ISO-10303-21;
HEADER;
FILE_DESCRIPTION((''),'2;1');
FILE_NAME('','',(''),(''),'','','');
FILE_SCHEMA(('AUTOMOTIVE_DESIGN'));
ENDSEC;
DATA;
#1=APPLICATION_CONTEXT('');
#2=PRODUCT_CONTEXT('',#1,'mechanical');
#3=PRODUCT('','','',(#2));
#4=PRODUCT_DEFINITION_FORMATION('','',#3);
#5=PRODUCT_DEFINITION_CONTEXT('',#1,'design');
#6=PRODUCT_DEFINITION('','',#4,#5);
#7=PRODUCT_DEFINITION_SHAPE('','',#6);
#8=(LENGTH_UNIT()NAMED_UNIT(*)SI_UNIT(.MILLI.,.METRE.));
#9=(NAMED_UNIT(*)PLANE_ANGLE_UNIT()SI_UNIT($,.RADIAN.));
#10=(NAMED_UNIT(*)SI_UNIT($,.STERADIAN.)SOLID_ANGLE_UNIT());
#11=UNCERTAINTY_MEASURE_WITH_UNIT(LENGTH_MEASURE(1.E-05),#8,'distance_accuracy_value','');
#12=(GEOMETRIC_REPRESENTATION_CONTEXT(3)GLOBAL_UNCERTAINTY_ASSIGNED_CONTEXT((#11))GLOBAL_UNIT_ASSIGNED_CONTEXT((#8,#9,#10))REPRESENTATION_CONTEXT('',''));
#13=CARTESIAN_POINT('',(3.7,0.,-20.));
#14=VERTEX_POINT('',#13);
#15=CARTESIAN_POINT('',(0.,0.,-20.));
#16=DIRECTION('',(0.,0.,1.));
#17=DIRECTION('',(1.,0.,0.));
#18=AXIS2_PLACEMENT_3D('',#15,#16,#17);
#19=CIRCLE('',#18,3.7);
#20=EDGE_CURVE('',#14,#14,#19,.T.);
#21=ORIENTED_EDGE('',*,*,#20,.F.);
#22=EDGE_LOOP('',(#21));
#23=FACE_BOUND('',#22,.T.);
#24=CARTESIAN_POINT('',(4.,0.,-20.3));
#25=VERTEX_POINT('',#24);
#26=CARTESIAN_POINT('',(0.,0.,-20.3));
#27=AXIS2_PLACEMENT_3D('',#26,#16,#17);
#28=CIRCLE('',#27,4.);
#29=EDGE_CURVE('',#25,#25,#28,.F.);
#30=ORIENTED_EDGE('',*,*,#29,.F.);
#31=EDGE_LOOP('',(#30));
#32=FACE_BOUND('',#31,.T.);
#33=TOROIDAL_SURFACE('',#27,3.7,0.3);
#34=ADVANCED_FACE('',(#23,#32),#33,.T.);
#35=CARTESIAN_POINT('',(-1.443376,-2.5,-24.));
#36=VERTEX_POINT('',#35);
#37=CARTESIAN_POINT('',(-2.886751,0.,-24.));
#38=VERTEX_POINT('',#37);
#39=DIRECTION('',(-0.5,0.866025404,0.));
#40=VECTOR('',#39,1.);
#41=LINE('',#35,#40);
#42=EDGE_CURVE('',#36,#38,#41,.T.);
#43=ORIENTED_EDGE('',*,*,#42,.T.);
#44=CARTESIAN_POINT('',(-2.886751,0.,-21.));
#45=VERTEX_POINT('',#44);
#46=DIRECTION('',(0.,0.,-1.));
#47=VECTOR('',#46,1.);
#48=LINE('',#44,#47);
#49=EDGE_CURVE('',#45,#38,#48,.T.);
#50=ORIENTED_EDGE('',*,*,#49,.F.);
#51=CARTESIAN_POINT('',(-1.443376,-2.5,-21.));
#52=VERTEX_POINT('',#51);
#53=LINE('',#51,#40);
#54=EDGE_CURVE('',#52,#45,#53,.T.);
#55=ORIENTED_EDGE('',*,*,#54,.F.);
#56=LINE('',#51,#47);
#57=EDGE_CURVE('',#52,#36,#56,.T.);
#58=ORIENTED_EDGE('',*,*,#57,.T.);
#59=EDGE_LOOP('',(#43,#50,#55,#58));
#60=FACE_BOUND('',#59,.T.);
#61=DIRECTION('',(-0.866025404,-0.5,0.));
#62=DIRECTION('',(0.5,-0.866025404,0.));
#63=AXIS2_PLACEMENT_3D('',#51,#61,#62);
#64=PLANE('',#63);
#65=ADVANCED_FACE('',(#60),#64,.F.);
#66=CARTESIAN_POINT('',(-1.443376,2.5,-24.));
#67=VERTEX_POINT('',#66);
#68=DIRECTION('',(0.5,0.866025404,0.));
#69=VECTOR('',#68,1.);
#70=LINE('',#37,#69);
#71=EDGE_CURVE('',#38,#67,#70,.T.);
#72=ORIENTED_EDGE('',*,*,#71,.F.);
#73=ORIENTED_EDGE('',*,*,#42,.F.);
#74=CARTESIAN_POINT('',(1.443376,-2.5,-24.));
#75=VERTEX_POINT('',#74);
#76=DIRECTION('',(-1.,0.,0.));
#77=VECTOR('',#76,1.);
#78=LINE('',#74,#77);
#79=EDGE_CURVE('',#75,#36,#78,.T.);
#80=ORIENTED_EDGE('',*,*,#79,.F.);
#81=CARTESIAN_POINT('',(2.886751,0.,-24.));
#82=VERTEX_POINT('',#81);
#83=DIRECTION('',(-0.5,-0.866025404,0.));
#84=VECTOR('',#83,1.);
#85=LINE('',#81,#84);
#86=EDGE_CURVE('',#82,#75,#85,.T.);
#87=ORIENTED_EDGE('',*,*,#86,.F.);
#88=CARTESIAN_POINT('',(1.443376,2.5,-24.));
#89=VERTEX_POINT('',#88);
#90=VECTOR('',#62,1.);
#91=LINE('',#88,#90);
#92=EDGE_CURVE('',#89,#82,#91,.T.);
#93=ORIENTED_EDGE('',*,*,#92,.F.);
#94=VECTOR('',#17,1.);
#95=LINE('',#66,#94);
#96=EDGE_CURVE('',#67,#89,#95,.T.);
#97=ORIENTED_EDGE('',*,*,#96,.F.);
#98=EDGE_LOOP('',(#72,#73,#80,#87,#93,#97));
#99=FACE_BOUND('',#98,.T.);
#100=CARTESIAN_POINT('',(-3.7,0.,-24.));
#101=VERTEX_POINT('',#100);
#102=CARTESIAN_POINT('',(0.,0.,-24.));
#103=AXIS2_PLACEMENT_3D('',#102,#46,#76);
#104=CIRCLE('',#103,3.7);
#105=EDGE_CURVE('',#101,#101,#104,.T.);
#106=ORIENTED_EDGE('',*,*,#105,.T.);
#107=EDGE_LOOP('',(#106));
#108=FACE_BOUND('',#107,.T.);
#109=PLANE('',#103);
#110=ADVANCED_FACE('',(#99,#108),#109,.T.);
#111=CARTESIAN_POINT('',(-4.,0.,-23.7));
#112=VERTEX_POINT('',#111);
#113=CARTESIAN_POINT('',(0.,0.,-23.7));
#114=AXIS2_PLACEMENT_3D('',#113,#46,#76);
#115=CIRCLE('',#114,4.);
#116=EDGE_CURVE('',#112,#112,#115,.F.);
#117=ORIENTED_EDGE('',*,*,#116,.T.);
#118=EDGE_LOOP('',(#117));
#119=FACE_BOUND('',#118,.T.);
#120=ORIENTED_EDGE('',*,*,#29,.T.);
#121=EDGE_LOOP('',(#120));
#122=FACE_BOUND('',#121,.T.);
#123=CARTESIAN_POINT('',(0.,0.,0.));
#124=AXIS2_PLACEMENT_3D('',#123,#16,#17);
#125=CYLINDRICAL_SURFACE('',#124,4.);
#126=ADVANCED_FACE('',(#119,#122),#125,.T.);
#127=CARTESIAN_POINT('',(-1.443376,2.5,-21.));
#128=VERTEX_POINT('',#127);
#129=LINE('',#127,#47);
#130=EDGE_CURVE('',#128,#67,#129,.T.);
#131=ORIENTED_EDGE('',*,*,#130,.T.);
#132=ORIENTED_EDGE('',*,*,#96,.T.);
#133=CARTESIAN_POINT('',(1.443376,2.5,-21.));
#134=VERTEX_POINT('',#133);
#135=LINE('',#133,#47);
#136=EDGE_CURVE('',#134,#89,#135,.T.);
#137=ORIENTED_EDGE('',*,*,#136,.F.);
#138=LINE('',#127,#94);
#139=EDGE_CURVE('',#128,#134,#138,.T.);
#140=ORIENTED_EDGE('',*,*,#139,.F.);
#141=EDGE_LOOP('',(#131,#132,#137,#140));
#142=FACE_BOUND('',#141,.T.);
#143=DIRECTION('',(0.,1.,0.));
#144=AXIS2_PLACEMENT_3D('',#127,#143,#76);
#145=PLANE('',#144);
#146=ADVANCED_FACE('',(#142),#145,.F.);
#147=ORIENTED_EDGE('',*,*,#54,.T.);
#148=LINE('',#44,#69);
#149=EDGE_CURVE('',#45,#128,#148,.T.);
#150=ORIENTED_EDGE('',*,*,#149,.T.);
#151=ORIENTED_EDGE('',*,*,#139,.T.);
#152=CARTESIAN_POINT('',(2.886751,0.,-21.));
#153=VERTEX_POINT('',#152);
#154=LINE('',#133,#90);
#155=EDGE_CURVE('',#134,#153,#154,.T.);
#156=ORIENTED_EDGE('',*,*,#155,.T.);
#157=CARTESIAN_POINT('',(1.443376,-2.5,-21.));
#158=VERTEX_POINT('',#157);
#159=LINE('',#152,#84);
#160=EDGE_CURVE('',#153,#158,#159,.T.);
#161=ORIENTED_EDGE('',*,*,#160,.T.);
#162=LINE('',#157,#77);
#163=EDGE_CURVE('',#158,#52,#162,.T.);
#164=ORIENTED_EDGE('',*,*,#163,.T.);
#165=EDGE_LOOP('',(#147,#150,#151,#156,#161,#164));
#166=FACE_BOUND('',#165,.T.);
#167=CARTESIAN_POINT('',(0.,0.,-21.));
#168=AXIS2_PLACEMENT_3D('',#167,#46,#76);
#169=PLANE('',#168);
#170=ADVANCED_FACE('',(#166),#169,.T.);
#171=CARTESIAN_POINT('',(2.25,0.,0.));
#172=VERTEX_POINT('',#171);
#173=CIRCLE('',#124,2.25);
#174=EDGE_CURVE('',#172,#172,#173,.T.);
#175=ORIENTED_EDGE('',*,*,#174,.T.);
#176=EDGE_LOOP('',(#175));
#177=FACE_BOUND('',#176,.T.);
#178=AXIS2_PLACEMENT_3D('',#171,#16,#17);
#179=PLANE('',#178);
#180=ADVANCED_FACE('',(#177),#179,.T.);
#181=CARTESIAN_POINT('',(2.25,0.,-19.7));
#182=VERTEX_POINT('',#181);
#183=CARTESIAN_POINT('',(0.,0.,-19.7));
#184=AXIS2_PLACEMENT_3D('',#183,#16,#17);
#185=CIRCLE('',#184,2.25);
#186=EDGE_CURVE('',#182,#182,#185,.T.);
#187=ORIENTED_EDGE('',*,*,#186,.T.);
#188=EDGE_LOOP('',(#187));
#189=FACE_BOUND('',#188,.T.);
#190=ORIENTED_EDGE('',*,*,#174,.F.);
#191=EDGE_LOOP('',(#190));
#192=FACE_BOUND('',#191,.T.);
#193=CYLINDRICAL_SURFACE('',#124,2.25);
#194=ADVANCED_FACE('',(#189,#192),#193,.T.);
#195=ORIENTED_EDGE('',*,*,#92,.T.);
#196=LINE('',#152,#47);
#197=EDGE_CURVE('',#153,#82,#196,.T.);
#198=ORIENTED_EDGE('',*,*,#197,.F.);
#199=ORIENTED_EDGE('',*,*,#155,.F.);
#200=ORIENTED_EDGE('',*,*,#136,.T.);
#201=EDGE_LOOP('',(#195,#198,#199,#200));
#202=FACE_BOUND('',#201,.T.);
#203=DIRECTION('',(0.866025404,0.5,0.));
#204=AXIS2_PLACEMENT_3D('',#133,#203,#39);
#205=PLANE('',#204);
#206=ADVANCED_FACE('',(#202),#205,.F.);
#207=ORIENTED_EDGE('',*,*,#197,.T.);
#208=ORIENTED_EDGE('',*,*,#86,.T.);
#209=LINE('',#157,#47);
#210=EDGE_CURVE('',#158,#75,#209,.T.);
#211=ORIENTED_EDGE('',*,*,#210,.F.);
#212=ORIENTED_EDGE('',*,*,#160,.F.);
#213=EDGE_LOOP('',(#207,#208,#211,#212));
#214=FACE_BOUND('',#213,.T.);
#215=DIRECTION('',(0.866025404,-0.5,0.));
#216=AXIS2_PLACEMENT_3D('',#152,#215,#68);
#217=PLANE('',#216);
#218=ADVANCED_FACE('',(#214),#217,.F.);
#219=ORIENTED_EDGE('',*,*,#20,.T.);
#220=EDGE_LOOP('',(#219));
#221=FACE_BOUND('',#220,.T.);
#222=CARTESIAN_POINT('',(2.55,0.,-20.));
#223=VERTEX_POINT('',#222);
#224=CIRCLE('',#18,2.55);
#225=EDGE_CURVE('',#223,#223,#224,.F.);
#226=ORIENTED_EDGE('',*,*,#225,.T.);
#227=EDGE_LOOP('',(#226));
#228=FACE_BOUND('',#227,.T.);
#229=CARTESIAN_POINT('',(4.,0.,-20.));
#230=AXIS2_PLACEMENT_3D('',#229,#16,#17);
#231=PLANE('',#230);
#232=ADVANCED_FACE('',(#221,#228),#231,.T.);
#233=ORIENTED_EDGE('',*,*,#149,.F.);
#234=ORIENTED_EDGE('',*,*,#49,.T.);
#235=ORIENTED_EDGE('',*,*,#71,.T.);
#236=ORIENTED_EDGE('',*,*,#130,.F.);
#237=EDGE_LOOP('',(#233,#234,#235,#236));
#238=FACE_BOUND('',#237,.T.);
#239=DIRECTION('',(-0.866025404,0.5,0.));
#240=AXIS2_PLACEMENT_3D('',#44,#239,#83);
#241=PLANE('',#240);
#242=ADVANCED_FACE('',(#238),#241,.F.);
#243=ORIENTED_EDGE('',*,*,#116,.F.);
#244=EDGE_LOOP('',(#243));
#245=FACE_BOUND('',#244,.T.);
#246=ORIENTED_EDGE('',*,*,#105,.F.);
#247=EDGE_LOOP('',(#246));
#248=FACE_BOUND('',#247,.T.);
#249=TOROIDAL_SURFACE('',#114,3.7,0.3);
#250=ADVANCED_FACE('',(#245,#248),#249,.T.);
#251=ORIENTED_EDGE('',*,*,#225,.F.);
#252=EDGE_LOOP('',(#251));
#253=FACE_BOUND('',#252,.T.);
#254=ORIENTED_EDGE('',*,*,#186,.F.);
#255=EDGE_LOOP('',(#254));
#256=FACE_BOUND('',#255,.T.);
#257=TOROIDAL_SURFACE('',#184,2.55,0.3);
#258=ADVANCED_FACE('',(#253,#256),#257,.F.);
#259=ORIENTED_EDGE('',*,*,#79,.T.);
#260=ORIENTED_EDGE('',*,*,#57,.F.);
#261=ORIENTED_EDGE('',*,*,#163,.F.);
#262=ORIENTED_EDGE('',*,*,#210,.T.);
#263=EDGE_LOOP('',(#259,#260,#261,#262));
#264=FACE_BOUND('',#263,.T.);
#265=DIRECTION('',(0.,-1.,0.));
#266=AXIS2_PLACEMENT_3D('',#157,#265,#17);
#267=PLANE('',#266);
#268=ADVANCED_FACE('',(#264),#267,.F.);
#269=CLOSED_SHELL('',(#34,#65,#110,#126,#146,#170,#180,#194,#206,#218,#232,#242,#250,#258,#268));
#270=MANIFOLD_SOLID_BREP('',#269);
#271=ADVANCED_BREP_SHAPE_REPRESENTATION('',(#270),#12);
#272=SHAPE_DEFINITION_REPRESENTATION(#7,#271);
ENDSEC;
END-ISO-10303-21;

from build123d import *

# Parameters (mm, degrees)
SCHNITT_LINEAR_AUSTRAGEN1_DEPTH = 3
VERRUNDUNG1_R                   = 0.3
KREISMUSTER1_COUNT              = 2
KREISMUSTER1_ANGLE              = 90


with BuildPart() as part:
    # Skizze1 → Rotation1 (revolve)
    with BuildSketch(Plane(origin=(0, 0, 0), x_dir=(0, 0, -1), z_dir=(0, 1, 0))):
        Polygon((0, 0), (0, 24), (4, 24), (4, 20), (2.25, 20), (2.25, 0), align=None)
    revolve(axis=Axis((0, 0, 0), (-1, 0, 0)))

    # Skizze2 → Schnitt-Linear austragen1 (cut)
    with BuildSketch(Plane(origin=(-24, 0, 0), x_dir=(0, 1, 0), z_dir=(-1, 0, 0))):
        Polygon((0, 2.886751346), (-2.5, 1.443375673), (-2.5, -1.443375673), (0, -2.886751346), (2.5, -1.443375673), (2.5, 1.443375673), align=None)
    extrude(amount=-SCHNITT_LINEAR_AUSTRAGEN1_DEPTH, mode=Mode.SUBTRACT)

    # Verrundung1
    verrundung1_edges = [part.edges().sort_by_distance(p)[0] for p in [
        (-20, 0, 2.25),
        (-20, 0, 4),
        (-24, 0, 4),
    ]]
    fillet(verrundung1_edges, radius=VERRUNDUNG1_R)


with BuildPart() as kreismuster1_1:
    # Kreismuster1: pattern copy
    add(part.part.rotate(Axis((0, 0, 0), (0, -1, 0)), 1 * KREISMUSTER1_ANGLE / (KREISMUSTER1_COUNT - 1)))


solid = kreismuster1_1.part
